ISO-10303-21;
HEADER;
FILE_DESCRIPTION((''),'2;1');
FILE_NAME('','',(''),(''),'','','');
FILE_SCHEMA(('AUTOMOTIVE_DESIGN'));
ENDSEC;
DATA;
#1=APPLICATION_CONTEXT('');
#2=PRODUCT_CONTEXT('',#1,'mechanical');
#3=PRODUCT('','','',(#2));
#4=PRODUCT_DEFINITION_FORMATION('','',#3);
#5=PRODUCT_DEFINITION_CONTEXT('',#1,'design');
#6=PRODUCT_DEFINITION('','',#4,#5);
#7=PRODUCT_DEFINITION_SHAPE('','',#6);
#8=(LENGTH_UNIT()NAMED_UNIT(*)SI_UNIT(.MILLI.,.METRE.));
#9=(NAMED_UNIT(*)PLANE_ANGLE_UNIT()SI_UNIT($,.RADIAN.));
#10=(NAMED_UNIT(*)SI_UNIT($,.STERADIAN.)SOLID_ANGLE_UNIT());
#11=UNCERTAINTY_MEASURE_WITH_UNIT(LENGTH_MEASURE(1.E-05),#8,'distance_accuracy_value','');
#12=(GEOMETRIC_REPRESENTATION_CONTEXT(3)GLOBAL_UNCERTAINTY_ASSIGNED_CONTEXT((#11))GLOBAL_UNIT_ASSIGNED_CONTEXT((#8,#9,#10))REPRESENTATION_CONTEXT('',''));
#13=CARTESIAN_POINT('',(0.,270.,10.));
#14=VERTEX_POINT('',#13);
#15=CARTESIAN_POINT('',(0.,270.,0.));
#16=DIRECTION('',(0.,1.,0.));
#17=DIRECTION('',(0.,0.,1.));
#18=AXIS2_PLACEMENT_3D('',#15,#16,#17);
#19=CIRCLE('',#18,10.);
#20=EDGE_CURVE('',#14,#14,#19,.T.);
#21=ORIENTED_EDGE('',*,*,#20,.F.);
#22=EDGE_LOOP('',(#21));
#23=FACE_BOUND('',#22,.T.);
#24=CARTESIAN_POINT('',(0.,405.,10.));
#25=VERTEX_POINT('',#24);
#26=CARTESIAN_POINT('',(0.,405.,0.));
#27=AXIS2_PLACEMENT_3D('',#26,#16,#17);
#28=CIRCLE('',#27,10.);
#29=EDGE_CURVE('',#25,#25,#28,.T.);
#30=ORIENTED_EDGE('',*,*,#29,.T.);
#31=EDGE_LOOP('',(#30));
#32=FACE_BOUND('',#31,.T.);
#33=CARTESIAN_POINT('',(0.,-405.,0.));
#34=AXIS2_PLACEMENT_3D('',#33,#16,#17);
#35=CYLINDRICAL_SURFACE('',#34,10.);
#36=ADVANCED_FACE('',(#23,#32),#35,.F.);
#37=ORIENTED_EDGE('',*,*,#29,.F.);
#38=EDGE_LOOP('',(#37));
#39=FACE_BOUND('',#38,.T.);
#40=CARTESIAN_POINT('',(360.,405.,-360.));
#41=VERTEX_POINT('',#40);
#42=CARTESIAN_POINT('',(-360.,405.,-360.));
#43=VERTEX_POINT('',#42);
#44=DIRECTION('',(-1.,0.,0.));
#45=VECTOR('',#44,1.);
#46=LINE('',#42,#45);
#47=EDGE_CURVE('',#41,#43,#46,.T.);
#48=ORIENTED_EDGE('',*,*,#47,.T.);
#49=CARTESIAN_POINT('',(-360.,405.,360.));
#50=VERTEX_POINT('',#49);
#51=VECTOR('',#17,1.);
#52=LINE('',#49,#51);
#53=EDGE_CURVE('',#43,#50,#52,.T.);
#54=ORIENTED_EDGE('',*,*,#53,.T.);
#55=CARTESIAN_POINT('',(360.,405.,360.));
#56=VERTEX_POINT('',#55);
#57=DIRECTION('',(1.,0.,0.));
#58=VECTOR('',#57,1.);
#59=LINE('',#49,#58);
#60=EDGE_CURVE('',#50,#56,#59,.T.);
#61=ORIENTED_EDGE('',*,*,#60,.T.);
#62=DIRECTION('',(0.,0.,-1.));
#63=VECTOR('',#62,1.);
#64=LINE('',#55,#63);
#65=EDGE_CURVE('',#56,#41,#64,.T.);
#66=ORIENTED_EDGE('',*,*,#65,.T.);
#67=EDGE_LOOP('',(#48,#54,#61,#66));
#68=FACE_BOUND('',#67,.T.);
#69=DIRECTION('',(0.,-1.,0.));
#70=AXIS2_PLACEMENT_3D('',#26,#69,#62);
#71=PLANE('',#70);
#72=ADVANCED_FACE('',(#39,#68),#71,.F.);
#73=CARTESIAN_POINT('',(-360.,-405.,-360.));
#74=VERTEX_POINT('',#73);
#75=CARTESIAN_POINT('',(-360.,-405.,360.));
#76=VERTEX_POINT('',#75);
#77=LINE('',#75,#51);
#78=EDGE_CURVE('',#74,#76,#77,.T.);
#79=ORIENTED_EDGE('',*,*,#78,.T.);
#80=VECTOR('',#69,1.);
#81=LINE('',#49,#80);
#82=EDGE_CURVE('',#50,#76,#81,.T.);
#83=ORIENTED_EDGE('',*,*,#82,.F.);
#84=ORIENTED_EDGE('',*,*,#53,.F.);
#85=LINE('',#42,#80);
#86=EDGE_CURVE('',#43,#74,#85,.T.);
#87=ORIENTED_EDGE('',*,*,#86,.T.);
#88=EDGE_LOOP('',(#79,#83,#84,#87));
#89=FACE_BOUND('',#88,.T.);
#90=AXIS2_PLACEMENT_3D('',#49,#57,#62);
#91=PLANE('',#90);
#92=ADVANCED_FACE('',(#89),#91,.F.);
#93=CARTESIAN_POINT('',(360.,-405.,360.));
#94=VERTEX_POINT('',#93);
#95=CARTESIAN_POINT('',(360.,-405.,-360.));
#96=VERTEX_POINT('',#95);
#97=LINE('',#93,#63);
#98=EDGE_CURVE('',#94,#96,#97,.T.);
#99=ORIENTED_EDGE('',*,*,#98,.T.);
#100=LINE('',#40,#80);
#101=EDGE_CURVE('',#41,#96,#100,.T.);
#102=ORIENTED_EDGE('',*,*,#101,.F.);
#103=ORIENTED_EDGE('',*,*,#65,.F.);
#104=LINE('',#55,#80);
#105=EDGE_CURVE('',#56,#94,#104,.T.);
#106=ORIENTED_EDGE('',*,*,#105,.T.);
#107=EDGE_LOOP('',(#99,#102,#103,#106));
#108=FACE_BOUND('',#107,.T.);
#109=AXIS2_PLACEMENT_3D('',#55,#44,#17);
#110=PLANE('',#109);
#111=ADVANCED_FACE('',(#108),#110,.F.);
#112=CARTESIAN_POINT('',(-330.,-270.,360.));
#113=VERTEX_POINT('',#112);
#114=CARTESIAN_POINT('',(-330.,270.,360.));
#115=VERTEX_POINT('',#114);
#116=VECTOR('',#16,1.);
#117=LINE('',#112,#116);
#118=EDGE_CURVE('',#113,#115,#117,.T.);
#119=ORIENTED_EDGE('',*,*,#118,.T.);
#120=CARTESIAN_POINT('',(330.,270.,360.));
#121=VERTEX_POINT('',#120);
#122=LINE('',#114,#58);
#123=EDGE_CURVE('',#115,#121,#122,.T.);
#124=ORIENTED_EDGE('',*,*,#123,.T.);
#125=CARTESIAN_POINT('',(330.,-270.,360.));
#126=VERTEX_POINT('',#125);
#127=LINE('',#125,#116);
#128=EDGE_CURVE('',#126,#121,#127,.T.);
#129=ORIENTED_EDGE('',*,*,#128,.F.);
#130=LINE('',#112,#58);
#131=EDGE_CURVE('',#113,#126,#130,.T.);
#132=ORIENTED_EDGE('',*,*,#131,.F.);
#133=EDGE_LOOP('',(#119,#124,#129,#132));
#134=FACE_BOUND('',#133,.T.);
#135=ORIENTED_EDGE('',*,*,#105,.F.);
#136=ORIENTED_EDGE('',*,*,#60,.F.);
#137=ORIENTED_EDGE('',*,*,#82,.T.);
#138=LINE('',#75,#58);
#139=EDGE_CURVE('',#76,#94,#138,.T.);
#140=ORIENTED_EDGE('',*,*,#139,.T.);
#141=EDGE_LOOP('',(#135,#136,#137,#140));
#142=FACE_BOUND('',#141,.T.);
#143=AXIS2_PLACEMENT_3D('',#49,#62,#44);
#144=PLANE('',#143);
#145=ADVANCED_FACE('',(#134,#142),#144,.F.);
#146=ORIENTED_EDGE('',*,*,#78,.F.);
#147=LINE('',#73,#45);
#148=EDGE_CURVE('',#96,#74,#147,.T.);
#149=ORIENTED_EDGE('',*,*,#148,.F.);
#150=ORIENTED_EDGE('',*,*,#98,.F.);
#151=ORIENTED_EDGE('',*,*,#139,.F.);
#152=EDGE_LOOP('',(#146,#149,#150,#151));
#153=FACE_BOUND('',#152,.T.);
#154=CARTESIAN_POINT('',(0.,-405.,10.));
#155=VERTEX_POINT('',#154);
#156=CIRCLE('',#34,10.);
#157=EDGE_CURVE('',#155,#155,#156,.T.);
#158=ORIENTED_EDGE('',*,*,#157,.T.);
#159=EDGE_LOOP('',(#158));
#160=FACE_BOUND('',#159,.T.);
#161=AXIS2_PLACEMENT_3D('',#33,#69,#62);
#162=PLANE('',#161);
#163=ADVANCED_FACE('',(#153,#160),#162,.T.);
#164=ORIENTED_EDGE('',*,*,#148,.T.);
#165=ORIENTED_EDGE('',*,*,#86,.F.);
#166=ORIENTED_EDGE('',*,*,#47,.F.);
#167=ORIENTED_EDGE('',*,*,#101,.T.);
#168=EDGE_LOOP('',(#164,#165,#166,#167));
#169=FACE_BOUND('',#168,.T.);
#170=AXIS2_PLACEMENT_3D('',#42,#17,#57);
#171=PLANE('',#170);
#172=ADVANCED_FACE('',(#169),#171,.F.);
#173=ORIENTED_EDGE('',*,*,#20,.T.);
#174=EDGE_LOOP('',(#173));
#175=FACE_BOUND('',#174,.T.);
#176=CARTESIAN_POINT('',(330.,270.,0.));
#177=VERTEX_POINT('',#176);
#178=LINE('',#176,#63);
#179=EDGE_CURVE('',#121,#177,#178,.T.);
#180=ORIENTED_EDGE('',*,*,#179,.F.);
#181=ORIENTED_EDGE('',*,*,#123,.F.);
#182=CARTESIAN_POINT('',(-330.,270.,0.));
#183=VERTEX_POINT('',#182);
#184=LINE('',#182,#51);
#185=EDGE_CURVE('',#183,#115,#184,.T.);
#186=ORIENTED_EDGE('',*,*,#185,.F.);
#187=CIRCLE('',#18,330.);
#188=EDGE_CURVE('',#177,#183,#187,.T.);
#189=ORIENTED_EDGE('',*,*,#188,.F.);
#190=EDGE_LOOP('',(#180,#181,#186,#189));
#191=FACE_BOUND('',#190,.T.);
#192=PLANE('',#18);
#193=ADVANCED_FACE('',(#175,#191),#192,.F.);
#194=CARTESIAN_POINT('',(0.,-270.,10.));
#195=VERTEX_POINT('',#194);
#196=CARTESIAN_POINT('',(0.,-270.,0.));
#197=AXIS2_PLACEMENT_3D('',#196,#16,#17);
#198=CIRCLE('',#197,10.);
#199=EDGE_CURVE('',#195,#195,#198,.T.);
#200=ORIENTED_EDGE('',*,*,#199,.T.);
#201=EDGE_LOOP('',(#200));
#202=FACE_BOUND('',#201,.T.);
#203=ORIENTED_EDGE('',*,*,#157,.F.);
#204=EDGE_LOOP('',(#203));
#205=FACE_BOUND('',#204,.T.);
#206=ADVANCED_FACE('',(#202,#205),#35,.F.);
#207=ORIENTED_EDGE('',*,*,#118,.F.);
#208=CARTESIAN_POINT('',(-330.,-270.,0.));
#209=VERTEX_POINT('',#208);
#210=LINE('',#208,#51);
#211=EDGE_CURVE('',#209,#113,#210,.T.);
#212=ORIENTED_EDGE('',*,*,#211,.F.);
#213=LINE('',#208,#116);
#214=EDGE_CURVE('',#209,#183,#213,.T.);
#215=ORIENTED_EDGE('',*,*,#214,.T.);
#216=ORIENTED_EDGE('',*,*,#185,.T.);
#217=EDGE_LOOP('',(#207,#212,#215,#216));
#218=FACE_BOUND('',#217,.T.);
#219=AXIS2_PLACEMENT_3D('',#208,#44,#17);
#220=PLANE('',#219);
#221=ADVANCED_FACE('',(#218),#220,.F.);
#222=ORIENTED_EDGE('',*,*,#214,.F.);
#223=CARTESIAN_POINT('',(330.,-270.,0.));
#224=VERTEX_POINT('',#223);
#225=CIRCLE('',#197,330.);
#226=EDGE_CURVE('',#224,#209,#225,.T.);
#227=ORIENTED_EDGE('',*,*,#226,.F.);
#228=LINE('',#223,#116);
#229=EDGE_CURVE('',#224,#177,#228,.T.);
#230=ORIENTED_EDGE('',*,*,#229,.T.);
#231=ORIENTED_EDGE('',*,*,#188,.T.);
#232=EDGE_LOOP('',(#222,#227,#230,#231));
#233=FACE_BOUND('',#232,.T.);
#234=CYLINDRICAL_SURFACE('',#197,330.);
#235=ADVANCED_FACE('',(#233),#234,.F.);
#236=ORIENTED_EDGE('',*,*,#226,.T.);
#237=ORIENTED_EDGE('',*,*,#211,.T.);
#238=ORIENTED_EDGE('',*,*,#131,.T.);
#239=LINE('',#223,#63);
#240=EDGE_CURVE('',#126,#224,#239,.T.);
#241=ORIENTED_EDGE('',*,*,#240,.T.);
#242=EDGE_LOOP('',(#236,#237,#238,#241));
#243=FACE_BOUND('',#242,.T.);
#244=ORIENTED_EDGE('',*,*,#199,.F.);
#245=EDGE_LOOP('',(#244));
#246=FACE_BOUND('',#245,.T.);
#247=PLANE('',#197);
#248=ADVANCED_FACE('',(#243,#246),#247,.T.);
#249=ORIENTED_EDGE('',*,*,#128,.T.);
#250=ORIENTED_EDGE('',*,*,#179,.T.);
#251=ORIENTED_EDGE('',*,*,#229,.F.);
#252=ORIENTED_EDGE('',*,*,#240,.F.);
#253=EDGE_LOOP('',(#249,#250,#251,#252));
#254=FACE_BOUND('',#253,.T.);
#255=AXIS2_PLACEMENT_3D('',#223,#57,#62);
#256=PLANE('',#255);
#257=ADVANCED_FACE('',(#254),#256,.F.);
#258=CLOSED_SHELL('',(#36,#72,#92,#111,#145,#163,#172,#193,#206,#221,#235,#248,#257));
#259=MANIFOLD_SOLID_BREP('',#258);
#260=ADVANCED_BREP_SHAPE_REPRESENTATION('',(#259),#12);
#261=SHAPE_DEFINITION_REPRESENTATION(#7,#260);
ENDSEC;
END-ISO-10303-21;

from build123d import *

# Parameters (mm, degrees)
SKETCH_2_W               = 720
SKETCH_2_H               = 720
EXTRUDE_2_DEPTH          = 405
CUT_EXTRUDE_1_DEPTH      = 270
CUT_EXTRUDE_2_DEPTH      = 651.557453266
CUT_EXTRUDE_2_DEPTH_BACK = 651.557453266
SKETCH_3_R               = 10


with BuildPart() as part:
    # 草图2 → 凸台-拉伸2 (new, symmetric)
    with BuildSketch(Plane(origin=(0, 0, 0), x_dir=(1, 0, 0), z_dir=(0, 1, 0))):
        Rectangle(SKETCH_2_W, SKETCH_2_H)
    extrude(amount=EXTRUDE_2_DEPTH, both=True)

    # 草图1 → 切除-拉伸1 (cut, symmetric)
    with BuildSketch(Plane(origin=(0, 0, 0), x_dir=(1, 0, 0), z_dir=(0, 1, 0))):
        with BuildLine():
            Line((330, 0), (330, -360))
            Line((330, -360), (-330, -360))
            Line((-330, -360), (-330, 0))
            ThreePointArc((-330, 0), (0, 330), (330, 0))
        make_face()
    extrude(amount=CUT_EXTRUDE_1_DEPTH, both=True, mode=Mode.SUBTRACT)

    # 草图3 → 切除-拉伸2 (cut, two sides: drawn at the far end of the back side and taken through both)
    with BuildSketch(Plane(origin=(0, 0, 0), x_dir=(1, 0, 0), z_dir=(0, 1, 0)).offset(-CUT_EXTRUDE_2_DEPTH_BACK)):
        with Locations(Location((0, 0, 0), (0, 0, 270))):
            Circle(SKETCH_3_R)
    extrude(amount=CUT_EXTRUDE_2_DEPTH + CUT_EXTRUDE_2_DEPTH_BACK, mode=Mode.SUBTRACT)


solid = part.part
